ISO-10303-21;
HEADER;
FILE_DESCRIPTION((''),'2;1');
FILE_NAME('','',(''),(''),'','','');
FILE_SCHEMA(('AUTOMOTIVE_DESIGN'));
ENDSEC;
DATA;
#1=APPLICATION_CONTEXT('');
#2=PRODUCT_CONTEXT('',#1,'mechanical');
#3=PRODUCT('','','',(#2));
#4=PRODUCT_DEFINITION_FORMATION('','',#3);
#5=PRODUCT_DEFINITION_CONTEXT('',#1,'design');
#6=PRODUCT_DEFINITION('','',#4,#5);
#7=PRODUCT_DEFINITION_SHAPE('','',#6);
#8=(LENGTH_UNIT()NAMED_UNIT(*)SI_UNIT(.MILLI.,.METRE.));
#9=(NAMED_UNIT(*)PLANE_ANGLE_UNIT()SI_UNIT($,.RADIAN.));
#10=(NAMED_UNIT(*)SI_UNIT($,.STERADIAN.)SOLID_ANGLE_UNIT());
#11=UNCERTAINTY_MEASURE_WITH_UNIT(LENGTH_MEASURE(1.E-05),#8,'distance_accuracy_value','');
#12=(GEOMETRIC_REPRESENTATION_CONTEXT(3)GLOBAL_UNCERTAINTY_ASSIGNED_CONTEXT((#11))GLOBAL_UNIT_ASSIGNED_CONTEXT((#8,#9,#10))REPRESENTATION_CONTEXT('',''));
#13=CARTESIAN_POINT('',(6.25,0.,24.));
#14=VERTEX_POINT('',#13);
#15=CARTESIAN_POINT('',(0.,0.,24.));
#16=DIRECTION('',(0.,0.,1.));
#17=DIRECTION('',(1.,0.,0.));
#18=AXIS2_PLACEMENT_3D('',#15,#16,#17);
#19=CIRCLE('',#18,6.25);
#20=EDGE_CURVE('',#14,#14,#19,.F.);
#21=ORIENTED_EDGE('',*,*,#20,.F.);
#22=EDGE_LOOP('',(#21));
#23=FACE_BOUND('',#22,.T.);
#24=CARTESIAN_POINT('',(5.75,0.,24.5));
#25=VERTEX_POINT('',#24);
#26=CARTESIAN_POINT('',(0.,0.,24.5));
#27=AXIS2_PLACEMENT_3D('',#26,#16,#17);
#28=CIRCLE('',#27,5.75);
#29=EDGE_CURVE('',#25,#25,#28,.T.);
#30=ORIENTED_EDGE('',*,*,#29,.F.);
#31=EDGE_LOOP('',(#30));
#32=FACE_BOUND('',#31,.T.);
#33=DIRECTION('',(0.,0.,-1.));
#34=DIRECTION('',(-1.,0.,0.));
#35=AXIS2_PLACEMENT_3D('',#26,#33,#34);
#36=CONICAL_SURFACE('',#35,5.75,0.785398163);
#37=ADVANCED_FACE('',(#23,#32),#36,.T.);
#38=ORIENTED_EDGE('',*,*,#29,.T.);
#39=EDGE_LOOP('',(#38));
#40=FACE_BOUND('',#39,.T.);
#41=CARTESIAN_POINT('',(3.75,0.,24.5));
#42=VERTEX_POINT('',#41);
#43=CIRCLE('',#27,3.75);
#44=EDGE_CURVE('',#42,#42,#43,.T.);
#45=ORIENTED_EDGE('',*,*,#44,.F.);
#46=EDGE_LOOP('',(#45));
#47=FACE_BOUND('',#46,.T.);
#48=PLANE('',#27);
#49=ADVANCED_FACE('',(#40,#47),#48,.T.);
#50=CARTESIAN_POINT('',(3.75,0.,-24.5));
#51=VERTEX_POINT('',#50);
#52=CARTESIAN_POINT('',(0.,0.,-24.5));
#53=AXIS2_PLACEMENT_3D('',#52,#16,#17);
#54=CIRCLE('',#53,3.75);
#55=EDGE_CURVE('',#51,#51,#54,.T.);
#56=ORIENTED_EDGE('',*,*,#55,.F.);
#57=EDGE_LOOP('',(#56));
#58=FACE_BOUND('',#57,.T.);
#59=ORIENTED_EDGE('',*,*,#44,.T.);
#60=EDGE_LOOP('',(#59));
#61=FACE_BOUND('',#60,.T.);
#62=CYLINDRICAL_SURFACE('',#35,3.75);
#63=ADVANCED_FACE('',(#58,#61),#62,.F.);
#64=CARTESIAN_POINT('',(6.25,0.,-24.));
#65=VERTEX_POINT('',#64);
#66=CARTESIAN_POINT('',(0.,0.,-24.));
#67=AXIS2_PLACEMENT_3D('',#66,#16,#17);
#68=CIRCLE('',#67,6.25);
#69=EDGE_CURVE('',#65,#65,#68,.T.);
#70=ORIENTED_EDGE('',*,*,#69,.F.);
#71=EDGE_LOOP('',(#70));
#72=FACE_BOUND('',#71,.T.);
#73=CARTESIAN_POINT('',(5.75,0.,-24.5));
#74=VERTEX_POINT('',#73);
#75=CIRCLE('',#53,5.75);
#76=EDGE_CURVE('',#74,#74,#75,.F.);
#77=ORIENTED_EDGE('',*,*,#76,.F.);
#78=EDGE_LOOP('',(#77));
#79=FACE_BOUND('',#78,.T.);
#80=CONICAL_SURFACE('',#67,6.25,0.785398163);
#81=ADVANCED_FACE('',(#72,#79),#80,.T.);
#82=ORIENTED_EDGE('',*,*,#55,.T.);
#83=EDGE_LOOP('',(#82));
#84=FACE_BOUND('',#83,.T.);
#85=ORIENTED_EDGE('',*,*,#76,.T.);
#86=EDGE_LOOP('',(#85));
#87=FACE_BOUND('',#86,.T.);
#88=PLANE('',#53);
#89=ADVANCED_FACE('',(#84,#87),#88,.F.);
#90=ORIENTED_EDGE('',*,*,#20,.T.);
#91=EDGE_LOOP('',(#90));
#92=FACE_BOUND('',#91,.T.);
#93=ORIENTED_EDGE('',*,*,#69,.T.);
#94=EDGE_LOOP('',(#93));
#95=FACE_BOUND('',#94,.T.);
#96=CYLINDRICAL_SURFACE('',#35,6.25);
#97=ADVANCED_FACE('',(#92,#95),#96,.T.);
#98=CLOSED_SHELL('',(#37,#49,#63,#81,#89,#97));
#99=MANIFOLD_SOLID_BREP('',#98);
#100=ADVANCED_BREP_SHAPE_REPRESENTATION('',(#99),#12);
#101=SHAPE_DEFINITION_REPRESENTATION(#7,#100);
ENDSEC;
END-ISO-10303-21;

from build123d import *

# Parameters (mm, degrees)
SKETCH1_R           = 6.25
SKETCH1_R_2         = 3.75
EXTRUDE_THIN1_DEPTH = 24.5
CHAMFER1_SIZE       = 0.5


with BuildPart() as part:
    # Sketch1 → Extrude-Thin1 (new body, symmetric)
    with BuildSketch(Plane.XY):
        Circle(SKETCH1_R)
        Circle(SKETCH1_R_2, mode=Mode.SUBTRACT)
    extrude(amount=EXTRUDE_THIN1_DEPTH, both=True)

    # Chamfer1
    chamfer1_edges = [part.edges().sort_by_distance(p)[0] for p in [
        (-6.25, 0, -24.5),
        (-6.25, 0, 24.5),
    ]]
    chamfer(chamfer1_edges, length=CHAMFER1_SIZE)


solid = part.part
